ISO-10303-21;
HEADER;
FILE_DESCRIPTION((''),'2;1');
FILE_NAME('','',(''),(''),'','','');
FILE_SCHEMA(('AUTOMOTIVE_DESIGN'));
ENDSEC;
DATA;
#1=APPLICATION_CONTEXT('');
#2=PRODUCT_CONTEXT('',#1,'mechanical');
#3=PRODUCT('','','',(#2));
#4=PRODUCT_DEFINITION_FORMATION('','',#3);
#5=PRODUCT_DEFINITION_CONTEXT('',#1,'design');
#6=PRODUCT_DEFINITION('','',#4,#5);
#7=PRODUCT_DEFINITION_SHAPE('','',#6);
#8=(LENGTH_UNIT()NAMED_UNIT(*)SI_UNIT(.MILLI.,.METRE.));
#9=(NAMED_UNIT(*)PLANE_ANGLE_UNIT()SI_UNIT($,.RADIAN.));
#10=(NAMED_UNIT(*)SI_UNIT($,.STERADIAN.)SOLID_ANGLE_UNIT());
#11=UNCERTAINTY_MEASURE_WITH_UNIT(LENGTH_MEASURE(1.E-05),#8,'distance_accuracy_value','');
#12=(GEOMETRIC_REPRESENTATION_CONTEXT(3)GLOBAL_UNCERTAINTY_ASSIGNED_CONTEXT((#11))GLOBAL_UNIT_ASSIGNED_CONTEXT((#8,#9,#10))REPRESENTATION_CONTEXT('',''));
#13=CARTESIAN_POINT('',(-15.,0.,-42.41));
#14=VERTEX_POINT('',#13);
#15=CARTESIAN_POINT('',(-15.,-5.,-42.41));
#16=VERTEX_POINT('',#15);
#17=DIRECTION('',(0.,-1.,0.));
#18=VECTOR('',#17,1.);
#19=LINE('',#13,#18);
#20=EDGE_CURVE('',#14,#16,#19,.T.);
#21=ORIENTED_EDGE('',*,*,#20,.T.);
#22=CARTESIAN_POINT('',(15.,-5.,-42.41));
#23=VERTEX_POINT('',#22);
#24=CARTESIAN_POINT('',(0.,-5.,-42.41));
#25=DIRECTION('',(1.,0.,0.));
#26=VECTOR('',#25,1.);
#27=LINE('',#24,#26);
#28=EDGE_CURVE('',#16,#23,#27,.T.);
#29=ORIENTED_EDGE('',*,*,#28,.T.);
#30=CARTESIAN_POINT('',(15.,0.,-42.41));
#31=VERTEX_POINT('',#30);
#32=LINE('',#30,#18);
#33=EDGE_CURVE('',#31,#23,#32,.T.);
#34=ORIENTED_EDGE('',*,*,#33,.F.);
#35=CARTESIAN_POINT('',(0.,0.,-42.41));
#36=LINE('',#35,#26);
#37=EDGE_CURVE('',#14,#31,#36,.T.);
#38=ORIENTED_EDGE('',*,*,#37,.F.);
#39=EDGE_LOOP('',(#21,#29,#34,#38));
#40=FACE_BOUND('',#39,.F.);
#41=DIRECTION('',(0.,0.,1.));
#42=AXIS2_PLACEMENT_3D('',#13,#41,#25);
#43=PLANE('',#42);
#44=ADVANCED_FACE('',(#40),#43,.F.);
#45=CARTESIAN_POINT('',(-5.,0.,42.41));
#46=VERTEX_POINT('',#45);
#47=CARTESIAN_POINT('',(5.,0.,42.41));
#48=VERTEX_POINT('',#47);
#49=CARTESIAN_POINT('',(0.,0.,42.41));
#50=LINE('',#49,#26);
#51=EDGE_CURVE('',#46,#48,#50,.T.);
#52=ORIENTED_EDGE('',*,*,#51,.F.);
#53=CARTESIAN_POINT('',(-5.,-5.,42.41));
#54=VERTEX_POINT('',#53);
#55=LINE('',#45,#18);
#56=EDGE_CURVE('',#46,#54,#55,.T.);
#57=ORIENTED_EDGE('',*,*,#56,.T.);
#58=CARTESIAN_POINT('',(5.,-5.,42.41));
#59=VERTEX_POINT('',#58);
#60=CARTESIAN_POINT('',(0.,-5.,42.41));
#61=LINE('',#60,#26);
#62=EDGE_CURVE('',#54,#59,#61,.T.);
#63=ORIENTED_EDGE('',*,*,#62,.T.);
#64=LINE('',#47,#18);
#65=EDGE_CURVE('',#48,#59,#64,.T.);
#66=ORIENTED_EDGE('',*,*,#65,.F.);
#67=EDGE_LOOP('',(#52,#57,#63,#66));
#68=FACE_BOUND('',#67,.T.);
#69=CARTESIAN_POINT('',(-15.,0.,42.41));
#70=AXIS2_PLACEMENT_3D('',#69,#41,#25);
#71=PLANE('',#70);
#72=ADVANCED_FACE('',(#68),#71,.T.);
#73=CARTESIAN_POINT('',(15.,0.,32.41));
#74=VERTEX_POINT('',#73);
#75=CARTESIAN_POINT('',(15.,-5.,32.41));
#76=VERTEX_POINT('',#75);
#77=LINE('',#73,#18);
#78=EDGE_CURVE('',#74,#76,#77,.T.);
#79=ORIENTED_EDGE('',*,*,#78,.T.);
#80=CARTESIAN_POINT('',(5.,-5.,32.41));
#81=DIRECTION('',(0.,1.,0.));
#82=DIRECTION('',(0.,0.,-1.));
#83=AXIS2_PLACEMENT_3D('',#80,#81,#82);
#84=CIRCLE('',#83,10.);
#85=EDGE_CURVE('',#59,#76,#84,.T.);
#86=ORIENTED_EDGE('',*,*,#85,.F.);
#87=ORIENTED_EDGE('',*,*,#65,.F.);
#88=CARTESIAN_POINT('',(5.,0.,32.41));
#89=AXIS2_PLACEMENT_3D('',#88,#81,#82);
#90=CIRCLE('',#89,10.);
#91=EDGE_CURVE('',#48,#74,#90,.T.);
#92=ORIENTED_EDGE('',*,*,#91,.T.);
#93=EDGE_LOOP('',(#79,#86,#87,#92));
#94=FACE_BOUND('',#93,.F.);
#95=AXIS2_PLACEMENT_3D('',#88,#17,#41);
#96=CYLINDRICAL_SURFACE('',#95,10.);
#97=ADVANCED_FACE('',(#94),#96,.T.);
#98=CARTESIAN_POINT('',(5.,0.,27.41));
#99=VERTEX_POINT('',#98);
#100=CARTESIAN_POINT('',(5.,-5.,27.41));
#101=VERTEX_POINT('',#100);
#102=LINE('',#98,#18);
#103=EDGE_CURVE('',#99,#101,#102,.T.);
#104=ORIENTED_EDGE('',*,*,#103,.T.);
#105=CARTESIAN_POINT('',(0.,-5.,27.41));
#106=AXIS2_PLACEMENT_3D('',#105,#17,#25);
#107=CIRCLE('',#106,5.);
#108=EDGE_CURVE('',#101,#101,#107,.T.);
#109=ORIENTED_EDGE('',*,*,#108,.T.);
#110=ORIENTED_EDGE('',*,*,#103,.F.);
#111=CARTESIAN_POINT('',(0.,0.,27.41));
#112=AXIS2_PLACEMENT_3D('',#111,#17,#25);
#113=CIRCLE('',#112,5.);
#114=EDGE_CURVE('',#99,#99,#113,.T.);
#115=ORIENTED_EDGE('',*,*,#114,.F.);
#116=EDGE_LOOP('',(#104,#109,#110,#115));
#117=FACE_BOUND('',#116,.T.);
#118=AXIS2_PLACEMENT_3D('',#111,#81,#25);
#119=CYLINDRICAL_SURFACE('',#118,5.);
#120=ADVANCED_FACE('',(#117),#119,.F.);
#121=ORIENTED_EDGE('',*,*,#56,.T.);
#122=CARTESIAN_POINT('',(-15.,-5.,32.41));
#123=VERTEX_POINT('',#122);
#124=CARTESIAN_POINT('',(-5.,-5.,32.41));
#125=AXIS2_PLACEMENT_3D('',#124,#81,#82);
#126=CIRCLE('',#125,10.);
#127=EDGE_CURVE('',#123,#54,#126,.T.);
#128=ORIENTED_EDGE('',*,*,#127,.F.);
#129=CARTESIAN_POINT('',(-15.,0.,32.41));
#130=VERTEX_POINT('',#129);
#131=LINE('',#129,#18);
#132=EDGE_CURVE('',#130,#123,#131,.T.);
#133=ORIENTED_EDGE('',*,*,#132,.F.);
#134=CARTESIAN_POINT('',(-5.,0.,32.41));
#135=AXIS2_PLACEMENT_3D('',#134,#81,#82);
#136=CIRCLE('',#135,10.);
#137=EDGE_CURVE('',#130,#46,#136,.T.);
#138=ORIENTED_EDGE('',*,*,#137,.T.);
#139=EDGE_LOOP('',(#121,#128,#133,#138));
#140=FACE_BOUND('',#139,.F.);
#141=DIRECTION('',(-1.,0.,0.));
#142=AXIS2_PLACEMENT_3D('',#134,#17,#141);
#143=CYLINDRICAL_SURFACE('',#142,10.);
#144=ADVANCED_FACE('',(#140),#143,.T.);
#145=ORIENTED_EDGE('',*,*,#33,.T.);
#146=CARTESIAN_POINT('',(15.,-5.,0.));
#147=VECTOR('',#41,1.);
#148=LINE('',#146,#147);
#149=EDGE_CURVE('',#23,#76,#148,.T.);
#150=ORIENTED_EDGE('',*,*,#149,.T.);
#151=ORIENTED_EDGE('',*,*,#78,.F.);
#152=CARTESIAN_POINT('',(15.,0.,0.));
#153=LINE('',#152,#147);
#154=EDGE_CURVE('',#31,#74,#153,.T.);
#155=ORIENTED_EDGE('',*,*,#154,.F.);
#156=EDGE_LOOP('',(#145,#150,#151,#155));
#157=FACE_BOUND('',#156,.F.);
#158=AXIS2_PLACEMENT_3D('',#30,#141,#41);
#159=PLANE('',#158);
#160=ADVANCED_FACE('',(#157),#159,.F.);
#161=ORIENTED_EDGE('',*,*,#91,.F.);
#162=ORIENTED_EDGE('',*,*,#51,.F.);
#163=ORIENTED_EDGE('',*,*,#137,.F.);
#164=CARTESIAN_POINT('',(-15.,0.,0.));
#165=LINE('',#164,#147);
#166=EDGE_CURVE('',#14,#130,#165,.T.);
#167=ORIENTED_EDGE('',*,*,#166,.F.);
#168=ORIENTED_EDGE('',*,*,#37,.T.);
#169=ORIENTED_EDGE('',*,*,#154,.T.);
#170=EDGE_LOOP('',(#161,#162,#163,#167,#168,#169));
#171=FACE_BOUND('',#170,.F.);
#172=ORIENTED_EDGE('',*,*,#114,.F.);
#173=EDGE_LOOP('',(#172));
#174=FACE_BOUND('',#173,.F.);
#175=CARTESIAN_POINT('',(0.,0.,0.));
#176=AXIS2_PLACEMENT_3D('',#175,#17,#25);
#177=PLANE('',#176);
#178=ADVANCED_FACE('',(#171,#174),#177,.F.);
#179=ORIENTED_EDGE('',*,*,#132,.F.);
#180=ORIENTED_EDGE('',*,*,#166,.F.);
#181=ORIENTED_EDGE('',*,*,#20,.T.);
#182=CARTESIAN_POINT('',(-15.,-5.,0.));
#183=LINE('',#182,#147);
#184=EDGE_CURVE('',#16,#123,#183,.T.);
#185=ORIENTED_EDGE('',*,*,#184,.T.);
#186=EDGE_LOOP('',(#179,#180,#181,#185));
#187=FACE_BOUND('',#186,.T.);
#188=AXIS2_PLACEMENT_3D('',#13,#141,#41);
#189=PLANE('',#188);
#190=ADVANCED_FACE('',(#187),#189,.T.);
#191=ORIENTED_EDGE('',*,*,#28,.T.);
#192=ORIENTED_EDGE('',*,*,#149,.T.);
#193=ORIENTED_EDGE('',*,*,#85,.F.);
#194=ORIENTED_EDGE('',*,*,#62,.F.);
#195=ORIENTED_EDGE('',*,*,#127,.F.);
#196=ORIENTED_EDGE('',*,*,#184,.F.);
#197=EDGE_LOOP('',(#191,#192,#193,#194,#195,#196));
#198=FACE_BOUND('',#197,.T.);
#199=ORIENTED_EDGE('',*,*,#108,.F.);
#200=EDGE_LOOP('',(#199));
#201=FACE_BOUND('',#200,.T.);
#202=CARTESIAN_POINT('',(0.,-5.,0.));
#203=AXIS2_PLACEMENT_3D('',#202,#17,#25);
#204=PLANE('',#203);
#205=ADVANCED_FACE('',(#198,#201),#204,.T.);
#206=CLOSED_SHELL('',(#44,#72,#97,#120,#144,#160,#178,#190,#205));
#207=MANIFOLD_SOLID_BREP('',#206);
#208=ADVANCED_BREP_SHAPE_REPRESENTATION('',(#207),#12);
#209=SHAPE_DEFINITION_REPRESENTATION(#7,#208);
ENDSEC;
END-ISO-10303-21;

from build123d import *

# Parameters (mm, degrees)
F0_W     = 30
F0_H     = 84.82
F0_R     = 5
F1_DEPTH = 5
F2_R     = 10


with BuildPart() as f1:
    # F0 (on Front) → F1 (new body)
    with BuildSketch(Plane.XZ):
        Rectangle(F0_W, F0_H)
        with Locations((0, 27.41)):
            Circle(F0_R, mode=Mode.SUBTRACT)
    extrude(amount=F1_DEPTH)

    # F2
    f2_edges = [f1.edges().sort_by_distance(p)[0] for p in [
        (15, -2.5, 42.41),
        (-15, -2.5, 42.41),
    ]]
    fillet(f2_edges, radius=F2_R)


solid = f1.part
